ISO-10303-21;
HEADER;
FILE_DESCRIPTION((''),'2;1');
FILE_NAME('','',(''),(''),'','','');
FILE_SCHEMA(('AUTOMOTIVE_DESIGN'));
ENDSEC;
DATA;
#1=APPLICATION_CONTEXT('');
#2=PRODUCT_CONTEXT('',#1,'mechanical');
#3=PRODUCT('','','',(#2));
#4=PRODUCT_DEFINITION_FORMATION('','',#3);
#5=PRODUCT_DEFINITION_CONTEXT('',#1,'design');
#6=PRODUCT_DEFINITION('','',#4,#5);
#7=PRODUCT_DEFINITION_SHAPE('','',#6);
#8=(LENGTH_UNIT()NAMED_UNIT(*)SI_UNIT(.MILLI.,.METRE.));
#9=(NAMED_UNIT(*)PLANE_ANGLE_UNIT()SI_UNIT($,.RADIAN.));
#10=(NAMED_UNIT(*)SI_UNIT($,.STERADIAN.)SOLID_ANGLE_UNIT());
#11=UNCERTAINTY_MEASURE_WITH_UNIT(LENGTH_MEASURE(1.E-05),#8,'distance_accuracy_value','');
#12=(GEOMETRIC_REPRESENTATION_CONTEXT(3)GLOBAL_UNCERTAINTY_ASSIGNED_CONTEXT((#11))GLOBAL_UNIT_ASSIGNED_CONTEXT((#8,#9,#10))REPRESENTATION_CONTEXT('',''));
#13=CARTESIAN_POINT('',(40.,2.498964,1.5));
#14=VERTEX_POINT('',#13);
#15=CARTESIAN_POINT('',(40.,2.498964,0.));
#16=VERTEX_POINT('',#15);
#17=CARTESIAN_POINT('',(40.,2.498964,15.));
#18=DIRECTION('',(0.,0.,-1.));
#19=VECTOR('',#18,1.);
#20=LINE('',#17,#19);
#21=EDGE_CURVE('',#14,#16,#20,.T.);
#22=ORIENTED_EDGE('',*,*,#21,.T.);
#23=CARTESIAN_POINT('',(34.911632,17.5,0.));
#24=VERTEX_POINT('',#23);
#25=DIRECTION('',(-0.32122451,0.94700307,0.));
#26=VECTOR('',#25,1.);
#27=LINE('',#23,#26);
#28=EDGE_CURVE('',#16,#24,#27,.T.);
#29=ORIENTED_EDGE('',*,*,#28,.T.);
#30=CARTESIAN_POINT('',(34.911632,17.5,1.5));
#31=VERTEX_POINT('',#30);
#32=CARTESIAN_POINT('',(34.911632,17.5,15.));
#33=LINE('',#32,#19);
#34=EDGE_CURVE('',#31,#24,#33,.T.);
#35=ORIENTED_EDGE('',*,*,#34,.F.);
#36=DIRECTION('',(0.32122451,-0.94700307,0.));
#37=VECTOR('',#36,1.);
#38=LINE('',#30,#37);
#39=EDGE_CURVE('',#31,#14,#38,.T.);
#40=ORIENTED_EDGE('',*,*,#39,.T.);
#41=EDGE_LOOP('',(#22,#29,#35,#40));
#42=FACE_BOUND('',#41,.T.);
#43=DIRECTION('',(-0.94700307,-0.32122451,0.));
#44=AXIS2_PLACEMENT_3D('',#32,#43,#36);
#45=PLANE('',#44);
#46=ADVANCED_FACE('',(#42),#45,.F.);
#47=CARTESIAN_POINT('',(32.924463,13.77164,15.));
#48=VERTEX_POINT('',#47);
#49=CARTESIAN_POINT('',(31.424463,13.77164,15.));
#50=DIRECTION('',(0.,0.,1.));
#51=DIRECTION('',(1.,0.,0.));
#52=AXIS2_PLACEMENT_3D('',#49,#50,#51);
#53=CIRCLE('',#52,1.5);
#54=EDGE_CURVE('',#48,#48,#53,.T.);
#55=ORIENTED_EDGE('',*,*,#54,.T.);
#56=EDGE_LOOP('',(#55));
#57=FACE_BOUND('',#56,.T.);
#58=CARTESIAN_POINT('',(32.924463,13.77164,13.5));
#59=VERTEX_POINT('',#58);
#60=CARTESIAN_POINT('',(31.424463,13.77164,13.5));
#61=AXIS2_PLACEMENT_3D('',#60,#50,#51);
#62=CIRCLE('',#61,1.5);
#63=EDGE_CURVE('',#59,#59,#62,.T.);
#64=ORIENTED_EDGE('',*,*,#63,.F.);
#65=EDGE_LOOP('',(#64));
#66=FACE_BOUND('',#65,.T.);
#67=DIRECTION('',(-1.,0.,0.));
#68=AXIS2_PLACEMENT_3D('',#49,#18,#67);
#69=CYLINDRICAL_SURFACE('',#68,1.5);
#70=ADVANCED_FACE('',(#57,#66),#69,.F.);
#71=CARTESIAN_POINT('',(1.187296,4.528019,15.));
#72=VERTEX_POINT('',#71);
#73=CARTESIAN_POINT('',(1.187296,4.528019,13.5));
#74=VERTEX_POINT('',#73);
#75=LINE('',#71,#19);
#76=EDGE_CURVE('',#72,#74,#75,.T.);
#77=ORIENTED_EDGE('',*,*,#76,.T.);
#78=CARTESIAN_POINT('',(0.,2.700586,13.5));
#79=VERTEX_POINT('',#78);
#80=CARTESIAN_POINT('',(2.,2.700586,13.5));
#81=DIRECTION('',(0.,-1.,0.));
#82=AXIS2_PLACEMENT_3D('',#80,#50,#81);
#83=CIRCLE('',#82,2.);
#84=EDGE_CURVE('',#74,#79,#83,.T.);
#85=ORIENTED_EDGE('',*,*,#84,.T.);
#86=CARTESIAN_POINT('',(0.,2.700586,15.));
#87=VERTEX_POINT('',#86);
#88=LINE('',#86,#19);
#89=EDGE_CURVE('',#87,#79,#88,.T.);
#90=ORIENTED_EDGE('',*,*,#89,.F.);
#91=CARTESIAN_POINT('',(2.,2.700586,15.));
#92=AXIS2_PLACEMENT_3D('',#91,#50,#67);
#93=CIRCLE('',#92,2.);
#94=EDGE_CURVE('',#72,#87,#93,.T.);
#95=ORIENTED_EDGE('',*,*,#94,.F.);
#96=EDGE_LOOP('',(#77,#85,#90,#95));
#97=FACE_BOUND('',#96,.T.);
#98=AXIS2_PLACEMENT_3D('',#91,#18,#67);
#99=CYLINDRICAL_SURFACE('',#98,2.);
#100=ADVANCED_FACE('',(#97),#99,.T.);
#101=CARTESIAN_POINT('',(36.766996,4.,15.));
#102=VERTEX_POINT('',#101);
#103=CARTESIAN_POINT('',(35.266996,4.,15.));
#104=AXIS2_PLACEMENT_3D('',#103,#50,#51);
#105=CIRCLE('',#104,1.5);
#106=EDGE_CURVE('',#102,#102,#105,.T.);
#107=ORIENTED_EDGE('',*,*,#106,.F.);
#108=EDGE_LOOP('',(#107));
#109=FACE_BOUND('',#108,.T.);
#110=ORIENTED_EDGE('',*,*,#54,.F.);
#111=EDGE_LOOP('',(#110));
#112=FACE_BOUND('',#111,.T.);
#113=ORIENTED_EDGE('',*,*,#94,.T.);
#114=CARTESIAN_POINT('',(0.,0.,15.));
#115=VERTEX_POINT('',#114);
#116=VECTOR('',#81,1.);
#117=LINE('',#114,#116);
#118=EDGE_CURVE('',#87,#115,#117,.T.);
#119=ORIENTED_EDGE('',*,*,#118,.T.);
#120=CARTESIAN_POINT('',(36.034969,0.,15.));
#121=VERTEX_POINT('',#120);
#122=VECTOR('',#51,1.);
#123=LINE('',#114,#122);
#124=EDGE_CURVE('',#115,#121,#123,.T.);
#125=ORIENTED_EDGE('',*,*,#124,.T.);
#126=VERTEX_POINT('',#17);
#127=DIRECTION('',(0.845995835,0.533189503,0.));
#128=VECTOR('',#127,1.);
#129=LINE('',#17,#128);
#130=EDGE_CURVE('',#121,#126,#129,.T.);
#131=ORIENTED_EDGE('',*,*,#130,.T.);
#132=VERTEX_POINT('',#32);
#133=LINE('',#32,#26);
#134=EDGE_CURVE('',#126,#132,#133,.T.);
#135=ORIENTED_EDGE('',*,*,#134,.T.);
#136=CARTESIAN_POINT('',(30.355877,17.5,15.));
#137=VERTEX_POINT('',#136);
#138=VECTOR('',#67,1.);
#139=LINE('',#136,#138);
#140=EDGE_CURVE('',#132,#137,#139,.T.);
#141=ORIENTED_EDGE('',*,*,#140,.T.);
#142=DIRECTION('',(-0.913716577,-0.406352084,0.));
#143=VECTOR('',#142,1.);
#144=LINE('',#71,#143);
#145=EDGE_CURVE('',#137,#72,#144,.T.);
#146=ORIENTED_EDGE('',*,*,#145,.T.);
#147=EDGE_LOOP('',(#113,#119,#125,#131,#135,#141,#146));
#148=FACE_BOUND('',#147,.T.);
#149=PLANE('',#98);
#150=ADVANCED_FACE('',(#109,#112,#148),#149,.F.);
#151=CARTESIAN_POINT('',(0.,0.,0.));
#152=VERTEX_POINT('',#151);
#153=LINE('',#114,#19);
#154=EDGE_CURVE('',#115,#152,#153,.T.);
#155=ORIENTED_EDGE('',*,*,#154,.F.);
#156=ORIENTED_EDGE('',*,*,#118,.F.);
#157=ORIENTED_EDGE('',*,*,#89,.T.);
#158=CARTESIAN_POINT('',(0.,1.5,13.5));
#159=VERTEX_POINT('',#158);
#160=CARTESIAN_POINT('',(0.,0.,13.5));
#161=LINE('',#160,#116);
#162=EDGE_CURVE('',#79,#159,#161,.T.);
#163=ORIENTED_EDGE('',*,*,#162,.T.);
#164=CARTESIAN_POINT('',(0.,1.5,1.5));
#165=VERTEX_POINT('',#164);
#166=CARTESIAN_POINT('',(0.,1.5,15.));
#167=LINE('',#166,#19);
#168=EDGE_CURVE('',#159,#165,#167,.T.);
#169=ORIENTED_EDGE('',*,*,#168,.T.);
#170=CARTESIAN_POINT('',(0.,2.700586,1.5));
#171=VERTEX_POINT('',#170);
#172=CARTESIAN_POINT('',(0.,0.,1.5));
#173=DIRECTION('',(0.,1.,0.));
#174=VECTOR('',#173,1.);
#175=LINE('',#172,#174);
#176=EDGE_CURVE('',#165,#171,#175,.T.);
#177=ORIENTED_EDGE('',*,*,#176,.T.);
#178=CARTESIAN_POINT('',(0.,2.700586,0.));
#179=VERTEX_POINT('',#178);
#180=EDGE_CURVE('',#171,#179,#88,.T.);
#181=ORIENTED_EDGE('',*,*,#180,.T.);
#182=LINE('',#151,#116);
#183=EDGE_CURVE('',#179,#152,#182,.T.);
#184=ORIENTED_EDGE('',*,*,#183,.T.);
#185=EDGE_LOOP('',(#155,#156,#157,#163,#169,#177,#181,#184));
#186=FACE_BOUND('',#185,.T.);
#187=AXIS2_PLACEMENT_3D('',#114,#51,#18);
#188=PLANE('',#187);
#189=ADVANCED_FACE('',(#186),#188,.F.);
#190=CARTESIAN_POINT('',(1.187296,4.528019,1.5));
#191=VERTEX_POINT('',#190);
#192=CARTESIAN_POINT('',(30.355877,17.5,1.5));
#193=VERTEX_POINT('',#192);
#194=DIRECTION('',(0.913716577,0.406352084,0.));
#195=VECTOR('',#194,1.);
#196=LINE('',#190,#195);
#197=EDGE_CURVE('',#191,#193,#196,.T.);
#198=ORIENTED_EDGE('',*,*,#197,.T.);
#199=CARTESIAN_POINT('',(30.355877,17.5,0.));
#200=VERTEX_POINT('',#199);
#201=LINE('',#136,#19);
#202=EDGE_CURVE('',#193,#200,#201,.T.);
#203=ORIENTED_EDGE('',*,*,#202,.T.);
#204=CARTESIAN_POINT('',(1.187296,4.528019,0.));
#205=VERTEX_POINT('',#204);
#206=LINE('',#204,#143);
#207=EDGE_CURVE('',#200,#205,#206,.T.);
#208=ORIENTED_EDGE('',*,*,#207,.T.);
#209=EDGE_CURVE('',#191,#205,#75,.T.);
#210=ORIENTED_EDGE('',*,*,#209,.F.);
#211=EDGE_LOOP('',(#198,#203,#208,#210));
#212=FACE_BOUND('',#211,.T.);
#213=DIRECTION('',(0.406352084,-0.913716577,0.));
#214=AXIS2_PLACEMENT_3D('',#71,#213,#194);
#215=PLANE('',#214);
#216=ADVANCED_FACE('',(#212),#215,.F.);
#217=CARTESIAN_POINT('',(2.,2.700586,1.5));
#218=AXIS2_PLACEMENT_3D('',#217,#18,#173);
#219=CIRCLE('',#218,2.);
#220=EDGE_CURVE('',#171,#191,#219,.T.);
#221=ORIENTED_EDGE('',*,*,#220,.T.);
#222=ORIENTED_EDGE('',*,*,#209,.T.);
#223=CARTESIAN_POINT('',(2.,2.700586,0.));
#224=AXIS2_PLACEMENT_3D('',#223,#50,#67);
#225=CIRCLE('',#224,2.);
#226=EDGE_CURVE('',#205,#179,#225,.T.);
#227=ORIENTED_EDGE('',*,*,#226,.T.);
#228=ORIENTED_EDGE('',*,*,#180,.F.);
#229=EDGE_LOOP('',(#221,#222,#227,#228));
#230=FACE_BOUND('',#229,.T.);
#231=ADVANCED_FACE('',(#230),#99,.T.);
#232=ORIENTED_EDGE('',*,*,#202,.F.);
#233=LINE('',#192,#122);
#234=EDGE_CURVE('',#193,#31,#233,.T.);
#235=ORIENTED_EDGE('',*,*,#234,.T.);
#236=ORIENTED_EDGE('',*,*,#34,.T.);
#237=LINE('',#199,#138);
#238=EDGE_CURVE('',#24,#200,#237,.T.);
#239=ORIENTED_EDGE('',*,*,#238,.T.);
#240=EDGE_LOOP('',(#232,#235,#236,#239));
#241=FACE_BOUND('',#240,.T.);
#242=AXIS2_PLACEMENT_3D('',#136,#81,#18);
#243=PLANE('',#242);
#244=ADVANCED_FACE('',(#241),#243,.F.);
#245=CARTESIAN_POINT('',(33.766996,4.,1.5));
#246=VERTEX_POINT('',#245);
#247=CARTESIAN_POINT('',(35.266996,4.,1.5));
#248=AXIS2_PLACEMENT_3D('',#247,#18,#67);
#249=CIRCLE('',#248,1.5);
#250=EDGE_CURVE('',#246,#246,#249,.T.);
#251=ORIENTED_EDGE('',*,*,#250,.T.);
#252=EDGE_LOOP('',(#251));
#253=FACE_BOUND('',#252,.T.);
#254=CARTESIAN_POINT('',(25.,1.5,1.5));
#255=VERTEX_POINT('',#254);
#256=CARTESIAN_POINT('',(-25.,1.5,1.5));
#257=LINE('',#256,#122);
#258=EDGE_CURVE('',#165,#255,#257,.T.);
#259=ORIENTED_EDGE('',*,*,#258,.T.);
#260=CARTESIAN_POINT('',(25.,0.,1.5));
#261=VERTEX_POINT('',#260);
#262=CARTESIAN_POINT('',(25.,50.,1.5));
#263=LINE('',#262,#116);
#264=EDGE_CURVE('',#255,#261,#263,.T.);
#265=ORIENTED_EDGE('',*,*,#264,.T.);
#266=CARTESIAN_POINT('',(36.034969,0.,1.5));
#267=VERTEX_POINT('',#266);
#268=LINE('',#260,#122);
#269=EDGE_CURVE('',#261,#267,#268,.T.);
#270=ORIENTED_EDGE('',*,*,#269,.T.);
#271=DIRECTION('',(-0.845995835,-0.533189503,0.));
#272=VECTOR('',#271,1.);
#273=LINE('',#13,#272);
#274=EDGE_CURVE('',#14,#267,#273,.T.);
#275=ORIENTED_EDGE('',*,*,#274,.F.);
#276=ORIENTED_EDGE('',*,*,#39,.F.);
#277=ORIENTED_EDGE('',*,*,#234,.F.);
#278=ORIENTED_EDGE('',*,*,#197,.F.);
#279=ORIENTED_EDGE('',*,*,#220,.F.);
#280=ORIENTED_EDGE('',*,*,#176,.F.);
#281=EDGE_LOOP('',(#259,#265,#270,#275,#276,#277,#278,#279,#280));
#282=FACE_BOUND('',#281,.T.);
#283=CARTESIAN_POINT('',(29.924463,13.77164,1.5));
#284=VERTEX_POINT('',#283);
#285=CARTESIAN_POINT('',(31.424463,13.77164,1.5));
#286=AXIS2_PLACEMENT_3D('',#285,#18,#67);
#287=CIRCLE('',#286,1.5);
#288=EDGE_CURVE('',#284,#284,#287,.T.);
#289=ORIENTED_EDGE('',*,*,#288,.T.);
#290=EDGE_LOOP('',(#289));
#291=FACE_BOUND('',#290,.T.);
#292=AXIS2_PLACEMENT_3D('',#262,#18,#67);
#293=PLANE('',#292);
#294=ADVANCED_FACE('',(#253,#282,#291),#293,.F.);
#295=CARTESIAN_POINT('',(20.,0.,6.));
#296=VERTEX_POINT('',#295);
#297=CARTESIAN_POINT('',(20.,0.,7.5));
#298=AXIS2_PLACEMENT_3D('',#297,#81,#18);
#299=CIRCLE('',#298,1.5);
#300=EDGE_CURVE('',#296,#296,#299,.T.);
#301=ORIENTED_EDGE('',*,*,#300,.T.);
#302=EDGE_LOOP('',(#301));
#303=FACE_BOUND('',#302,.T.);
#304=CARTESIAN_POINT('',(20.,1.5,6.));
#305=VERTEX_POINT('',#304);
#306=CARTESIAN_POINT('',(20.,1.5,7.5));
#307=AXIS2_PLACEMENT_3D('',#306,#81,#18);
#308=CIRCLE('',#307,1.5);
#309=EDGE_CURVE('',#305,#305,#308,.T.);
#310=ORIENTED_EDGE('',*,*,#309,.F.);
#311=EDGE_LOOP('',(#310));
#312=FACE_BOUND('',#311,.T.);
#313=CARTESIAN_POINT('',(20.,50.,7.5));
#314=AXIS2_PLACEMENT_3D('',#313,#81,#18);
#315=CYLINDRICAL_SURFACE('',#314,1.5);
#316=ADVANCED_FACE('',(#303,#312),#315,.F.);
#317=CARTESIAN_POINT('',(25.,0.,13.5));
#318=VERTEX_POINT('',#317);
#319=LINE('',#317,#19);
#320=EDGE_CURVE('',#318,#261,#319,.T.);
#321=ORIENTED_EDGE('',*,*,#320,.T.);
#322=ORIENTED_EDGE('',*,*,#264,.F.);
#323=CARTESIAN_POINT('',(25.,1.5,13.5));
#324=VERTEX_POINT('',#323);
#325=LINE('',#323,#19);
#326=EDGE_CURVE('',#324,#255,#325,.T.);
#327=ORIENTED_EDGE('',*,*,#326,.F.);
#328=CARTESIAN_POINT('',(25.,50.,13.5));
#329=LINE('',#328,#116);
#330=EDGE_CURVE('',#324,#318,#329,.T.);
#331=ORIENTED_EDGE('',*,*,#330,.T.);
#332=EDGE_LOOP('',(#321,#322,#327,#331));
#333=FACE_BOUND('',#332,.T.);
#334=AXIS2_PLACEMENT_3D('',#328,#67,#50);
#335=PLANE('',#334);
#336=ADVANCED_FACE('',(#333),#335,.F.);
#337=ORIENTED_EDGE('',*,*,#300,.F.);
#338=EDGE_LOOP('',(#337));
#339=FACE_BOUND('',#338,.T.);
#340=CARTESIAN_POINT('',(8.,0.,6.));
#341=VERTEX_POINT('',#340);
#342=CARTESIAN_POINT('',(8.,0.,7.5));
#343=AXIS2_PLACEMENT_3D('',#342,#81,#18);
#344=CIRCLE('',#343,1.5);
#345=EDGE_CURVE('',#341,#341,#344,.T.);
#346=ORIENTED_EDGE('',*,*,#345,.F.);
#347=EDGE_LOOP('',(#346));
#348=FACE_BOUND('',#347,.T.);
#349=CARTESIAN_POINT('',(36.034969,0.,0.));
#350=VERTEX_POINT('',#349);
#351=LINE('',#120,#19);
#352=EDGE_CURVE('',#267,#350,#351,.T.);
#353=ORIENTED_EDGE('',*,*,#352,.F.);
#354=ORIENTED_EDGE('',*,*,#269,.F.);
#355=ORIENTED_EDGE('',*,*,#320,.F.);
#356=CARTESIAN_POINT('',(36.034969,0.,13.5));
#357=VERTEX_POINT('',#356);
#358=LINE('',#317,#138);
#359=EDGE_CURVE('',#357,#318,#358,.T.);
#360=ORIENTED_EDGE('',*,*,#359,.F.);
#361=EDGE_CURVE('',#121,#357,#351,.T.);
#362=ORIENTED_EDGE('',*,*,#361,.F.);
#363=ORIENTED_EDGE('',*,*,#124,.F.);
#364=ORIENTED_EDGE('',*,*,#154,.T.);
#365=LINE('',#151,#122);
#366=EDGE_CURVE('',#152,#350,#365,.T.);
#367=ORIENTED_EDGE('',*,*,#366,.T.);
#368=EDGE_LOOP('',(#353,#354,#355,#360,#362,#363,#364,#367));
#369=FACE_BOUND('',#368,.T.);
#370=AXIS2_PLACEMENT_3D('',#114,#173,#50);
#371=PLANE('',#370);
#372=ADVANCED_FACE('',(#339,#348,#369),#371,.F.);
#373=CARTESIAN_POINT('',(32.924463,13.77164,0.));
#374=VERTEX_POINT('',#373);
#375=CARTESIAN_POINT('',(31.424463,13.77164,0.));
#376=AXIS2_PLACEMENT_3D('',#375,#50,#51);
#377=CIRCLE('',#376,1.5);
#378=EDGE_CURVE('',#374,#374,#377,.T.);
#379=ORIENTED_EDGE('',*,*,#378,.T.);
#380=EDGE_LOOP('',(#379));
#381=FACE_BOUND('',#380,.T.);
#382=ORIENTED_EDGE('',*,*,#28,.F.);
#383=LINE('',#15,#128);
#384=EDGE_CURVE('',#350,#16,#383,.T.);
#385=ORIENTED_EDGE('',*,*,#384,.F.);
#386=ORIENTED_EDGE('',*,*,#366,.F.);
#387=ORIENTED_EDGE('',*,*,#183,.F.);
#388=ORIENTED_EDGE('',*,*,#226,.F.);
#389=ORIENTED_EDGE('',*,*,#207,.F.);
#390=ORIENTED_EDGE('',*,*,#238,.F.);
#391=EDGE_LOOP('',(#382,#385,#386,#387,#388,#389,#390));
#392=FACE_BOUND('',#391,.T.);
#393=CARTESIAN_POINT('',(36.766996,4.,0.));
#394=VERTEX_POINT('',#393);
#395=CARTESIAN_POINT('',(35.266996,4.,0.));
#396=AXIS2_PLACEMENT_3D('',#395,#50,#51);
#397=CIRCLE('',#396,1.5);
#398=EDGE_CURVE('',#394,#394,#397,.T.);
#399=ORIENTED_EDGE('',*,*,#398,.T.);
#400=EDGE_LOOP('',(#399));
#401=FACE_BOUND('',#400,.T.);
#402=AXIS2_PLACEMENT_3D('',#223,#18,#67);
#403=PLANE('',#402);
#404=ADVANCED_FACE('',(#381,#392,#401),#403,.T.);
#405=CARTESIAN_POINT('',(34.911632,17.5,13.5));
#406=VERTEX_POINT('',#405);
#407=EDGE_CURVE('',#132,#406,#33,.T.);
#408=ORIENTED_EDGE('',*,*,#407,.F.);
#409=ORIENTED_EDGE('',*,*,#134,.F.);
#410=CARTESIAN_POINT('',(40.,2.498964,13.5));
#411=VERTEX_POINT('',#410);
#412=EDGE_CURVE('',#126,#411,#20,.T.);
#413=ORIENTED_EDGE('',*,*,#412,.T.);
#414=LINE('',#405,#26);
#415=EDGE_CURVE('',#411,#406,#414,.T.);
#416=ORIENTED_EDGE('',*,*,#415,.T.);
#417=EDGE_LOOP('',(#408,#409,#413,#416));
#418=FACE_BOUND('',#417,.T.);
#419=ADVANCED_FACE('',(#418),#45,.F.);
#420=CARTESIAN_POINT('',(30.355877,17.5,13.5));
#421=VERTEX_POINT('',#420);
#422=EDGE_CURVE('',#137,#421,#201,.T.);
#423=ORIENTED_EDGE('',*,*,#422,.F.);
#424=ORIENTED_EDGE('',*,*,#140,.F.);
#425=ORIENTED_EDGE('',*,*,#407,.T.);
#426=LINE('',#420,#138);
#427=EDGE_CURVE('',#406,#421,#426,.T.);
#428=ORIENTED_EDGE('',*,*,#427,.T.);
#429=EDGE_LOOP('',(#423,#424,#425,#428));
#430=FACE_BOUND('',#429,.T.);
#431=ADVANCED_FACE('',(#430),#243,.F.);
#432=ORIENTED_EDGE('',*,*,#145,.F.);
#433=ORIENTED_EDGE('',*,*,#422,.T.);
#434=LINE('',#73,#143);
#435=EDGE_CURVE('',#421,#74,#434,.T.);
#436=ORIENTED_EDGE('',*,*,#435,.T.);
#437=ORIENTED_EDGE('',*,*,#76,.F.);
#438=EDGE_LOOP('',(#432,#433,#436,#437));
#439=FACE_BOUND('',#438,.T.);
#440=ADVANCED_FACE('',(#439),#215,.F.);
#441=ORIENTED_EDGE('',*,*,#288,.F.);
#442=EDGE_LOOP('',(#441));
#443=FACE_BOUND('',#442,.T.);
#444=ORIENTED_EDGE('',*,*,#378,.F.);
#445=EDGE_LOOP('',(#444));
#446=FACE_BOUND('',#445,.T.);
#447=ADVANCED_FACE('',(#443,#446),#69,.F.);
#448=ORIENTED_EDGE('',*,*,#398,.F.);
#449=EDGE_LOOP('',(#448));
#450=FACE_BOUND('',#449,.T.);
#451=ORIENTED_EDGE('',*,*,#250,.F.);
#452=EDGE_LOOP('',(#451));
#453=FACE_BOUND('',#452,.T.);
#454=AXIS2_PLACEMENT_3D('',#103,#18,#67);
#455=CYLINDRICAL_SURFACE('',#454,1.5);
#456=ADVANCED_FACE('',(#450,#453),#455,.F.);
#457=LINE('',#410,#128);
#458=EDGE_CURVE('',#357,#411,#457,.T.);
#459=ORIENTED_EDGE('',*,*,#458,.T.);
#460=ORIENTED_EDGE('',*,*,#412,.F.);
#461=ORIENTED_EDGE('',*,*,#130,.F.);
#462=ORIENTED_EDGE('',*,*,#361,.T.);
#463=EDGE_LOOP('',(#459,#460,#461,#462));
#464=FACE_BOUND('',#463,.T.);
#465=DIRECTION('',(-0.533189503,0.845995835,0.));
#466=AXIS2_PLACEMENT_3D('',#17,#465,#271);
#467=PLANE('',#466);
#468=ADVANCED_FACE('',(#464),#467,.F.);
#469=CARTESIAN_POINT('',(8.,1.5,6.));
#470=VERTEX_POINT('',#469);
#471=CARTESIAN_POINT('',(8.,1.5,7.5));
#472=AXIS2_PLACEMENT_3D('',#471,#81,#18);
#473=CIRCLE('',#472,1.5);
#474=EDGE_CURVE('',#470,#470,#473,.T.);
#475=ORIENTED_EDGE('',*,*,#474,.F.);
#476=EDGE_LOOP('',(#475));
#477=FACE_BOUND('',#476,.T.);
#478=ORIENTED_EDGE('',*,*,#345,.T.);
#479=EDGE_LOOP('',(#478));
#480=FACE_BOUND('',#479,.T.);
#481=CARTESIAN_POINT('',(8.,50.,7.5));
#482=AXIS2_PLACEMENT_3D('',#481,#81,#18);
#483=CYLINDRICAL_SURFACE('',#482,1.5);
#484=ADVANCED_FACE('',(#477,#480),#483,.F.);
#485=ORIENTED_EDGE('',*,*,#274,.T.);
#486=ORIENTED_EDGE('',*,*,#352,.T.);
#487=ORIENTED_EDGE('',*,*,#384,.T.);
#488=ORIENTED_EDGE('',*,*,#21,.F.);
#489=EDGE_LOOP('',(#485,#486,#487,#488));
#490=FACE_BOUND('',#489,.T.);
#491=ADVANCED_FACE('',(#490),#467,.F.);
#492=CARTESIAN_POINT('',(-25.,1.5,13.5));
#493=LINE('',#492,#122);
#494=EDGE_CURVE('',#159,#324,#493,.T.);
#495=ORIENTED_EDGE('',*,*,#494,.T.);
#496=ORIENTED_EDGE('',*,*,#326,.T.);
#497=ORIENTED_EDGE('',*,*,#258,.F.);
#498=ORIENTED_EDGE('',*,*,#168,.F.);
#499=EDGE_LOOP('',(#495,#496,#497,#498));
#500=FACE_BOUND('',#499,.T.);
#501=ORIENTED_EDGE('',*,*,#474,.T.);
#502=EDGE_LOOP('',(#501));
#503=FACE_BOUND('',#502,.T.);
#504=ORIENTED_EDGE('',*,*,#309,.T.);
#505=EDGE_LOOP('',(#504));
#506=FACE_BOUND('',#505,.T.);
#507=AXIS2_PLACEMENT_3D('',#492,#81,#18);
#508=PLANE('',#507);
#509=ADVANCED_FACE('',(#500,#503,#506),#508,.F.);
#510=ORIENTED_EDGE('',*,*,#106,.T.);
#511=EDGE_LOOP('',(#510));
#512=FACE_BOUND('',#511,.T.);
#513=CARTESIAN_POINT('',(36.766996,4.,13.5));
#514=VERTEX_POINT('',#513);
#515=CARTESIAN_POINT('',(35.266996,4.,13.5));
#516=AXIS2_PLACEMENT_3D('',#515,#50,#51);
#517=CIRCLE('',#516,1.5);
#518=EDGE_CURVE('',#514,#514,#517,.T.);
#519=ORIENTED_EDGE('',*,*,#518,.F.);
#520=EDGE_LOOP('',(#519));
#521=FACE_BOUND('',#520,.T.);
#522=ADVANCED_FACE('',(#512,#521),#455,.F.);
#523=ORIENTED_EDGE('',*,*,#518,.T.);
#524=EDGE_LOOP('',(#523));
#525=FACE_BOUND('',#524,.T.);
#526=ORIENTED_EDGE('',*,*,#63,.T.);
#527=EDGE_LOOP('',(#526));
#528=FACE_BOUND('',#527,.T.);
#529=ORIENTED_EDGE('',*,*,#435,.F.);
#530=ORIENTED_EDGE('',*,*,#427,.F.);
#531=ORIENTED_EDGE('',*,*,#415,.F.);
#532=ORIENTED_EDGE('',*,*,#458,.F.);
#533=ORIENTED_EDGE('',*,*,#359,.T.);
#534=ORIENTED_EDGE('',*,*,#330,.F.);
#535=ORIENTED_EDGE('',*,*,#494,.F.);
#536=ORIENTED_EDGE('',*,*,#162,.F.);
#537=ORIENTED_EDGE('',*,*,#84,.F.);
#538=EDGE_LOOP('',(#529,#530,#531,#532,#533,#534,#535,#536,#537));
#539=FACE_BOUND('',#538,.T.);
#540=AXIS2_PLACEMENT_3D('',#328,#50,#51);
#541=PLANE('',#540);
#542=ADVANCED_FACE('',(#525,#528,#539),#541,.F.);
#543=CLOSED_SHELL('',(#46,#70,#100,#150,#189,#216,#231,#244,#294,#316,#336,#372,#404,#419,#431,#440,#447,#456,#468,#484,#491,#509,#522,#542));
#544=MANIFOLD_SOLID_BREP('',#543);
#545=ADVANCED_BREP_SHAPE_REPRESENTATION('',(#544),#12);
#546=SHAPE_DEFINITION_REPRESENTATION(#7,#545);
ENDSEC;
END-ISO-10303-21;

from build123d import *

# Parameters (mm, degrees)
SKETCH_1_R          = 1.5
EXTRUDE_1_DEPTH     = 15
SKETCH_2_W          = 21.498069498
SKETCH_2_H          = 12
CUT_EXTRUDE_1_DEPTH = 50
SKETCH_3_W          = 12
SKETCH_3_H          = 16
CUT_EXTRUDE_2_DEPTH = 50
SKETCH_4_R          = 1.5
CUT_EXTRUDE_3_DEPTH = 50


with BuildPart() as part:
    # Эскиз1 → Вытянуть1 (new body)
    with BuildSketch(Plane.XY):
        with BuildLine():
            Line((1.187295832, 4.528019462), (30.355876768, 17.5))
            Line((30.355876768, 17.5), (34.911631679, 17.5))
            Line((34.911631679, 17.5), (40, 2.498964042))
            Line((40, 2.498964042), (36.034968506, 0))
            Line((36.034968506, 0), (0, 0))
            Line((0, 0), (0, 2.700586308))
            ThreePointArc((0, 2.700586308), (0.322888147, 3.790217361), (1.187295832, 4.528019462))
        make_face()
        with Locations((35.266995766, 4)):
            Circle(SKETCH_1_R, mode=Mode.SUBTRACT)
        with Locations((31.42446315, 13.771639734)):
            Circle(SKETCH_1_R, mode=Mode.SUBTRACT)
    extrude(amount=EXTRUDE_1_DEPTH)

    # Эскиз2 → Вырез-Вытянуть1 (cut)
    with BuildSketch(Plane.XZ):
        with Locations((35.749034749, 7.5)):
            Rectangle(SKETCH_2_W, SKETCH_2_H)
    extrude(amount=-CUT_EXTRUDE_1_DEPTH, mode=Mode.SUBTRACT)

    # Эскиз3 → Вырез-Вытянуть2 (cut)
    with BuildSketch(Plane(origin=(25, 0, 0), x_dir=(0, 0, -1), z_dir=(1, 0, 0))):
        with Locations((-7.5, 9.5)):
            Rectangle(SKETCH_3_W, SKETCH_3_H)
    extrude(amount=-CUT_EXTRUDE_2_DEPTH, mode=Mode.SUBTRACT)

    # Эскиз4 → Вырез-Вытянуть3 (cut)
    with BuildSketch(Plane.XZ):
        with Locations(Location((8, 7.5, 0), (0, 0, 270))):
            Circle(SKETCH_4_R)
        with Locations(Location((20, 7.5, 0), (0, 0, 270))):
            Circle(SKETCH_4_R)
    extrude(amount=-CUT_EXTRUDE_3_DEPTH, mode=Mode.SUBTRACT)


solid = part.part
